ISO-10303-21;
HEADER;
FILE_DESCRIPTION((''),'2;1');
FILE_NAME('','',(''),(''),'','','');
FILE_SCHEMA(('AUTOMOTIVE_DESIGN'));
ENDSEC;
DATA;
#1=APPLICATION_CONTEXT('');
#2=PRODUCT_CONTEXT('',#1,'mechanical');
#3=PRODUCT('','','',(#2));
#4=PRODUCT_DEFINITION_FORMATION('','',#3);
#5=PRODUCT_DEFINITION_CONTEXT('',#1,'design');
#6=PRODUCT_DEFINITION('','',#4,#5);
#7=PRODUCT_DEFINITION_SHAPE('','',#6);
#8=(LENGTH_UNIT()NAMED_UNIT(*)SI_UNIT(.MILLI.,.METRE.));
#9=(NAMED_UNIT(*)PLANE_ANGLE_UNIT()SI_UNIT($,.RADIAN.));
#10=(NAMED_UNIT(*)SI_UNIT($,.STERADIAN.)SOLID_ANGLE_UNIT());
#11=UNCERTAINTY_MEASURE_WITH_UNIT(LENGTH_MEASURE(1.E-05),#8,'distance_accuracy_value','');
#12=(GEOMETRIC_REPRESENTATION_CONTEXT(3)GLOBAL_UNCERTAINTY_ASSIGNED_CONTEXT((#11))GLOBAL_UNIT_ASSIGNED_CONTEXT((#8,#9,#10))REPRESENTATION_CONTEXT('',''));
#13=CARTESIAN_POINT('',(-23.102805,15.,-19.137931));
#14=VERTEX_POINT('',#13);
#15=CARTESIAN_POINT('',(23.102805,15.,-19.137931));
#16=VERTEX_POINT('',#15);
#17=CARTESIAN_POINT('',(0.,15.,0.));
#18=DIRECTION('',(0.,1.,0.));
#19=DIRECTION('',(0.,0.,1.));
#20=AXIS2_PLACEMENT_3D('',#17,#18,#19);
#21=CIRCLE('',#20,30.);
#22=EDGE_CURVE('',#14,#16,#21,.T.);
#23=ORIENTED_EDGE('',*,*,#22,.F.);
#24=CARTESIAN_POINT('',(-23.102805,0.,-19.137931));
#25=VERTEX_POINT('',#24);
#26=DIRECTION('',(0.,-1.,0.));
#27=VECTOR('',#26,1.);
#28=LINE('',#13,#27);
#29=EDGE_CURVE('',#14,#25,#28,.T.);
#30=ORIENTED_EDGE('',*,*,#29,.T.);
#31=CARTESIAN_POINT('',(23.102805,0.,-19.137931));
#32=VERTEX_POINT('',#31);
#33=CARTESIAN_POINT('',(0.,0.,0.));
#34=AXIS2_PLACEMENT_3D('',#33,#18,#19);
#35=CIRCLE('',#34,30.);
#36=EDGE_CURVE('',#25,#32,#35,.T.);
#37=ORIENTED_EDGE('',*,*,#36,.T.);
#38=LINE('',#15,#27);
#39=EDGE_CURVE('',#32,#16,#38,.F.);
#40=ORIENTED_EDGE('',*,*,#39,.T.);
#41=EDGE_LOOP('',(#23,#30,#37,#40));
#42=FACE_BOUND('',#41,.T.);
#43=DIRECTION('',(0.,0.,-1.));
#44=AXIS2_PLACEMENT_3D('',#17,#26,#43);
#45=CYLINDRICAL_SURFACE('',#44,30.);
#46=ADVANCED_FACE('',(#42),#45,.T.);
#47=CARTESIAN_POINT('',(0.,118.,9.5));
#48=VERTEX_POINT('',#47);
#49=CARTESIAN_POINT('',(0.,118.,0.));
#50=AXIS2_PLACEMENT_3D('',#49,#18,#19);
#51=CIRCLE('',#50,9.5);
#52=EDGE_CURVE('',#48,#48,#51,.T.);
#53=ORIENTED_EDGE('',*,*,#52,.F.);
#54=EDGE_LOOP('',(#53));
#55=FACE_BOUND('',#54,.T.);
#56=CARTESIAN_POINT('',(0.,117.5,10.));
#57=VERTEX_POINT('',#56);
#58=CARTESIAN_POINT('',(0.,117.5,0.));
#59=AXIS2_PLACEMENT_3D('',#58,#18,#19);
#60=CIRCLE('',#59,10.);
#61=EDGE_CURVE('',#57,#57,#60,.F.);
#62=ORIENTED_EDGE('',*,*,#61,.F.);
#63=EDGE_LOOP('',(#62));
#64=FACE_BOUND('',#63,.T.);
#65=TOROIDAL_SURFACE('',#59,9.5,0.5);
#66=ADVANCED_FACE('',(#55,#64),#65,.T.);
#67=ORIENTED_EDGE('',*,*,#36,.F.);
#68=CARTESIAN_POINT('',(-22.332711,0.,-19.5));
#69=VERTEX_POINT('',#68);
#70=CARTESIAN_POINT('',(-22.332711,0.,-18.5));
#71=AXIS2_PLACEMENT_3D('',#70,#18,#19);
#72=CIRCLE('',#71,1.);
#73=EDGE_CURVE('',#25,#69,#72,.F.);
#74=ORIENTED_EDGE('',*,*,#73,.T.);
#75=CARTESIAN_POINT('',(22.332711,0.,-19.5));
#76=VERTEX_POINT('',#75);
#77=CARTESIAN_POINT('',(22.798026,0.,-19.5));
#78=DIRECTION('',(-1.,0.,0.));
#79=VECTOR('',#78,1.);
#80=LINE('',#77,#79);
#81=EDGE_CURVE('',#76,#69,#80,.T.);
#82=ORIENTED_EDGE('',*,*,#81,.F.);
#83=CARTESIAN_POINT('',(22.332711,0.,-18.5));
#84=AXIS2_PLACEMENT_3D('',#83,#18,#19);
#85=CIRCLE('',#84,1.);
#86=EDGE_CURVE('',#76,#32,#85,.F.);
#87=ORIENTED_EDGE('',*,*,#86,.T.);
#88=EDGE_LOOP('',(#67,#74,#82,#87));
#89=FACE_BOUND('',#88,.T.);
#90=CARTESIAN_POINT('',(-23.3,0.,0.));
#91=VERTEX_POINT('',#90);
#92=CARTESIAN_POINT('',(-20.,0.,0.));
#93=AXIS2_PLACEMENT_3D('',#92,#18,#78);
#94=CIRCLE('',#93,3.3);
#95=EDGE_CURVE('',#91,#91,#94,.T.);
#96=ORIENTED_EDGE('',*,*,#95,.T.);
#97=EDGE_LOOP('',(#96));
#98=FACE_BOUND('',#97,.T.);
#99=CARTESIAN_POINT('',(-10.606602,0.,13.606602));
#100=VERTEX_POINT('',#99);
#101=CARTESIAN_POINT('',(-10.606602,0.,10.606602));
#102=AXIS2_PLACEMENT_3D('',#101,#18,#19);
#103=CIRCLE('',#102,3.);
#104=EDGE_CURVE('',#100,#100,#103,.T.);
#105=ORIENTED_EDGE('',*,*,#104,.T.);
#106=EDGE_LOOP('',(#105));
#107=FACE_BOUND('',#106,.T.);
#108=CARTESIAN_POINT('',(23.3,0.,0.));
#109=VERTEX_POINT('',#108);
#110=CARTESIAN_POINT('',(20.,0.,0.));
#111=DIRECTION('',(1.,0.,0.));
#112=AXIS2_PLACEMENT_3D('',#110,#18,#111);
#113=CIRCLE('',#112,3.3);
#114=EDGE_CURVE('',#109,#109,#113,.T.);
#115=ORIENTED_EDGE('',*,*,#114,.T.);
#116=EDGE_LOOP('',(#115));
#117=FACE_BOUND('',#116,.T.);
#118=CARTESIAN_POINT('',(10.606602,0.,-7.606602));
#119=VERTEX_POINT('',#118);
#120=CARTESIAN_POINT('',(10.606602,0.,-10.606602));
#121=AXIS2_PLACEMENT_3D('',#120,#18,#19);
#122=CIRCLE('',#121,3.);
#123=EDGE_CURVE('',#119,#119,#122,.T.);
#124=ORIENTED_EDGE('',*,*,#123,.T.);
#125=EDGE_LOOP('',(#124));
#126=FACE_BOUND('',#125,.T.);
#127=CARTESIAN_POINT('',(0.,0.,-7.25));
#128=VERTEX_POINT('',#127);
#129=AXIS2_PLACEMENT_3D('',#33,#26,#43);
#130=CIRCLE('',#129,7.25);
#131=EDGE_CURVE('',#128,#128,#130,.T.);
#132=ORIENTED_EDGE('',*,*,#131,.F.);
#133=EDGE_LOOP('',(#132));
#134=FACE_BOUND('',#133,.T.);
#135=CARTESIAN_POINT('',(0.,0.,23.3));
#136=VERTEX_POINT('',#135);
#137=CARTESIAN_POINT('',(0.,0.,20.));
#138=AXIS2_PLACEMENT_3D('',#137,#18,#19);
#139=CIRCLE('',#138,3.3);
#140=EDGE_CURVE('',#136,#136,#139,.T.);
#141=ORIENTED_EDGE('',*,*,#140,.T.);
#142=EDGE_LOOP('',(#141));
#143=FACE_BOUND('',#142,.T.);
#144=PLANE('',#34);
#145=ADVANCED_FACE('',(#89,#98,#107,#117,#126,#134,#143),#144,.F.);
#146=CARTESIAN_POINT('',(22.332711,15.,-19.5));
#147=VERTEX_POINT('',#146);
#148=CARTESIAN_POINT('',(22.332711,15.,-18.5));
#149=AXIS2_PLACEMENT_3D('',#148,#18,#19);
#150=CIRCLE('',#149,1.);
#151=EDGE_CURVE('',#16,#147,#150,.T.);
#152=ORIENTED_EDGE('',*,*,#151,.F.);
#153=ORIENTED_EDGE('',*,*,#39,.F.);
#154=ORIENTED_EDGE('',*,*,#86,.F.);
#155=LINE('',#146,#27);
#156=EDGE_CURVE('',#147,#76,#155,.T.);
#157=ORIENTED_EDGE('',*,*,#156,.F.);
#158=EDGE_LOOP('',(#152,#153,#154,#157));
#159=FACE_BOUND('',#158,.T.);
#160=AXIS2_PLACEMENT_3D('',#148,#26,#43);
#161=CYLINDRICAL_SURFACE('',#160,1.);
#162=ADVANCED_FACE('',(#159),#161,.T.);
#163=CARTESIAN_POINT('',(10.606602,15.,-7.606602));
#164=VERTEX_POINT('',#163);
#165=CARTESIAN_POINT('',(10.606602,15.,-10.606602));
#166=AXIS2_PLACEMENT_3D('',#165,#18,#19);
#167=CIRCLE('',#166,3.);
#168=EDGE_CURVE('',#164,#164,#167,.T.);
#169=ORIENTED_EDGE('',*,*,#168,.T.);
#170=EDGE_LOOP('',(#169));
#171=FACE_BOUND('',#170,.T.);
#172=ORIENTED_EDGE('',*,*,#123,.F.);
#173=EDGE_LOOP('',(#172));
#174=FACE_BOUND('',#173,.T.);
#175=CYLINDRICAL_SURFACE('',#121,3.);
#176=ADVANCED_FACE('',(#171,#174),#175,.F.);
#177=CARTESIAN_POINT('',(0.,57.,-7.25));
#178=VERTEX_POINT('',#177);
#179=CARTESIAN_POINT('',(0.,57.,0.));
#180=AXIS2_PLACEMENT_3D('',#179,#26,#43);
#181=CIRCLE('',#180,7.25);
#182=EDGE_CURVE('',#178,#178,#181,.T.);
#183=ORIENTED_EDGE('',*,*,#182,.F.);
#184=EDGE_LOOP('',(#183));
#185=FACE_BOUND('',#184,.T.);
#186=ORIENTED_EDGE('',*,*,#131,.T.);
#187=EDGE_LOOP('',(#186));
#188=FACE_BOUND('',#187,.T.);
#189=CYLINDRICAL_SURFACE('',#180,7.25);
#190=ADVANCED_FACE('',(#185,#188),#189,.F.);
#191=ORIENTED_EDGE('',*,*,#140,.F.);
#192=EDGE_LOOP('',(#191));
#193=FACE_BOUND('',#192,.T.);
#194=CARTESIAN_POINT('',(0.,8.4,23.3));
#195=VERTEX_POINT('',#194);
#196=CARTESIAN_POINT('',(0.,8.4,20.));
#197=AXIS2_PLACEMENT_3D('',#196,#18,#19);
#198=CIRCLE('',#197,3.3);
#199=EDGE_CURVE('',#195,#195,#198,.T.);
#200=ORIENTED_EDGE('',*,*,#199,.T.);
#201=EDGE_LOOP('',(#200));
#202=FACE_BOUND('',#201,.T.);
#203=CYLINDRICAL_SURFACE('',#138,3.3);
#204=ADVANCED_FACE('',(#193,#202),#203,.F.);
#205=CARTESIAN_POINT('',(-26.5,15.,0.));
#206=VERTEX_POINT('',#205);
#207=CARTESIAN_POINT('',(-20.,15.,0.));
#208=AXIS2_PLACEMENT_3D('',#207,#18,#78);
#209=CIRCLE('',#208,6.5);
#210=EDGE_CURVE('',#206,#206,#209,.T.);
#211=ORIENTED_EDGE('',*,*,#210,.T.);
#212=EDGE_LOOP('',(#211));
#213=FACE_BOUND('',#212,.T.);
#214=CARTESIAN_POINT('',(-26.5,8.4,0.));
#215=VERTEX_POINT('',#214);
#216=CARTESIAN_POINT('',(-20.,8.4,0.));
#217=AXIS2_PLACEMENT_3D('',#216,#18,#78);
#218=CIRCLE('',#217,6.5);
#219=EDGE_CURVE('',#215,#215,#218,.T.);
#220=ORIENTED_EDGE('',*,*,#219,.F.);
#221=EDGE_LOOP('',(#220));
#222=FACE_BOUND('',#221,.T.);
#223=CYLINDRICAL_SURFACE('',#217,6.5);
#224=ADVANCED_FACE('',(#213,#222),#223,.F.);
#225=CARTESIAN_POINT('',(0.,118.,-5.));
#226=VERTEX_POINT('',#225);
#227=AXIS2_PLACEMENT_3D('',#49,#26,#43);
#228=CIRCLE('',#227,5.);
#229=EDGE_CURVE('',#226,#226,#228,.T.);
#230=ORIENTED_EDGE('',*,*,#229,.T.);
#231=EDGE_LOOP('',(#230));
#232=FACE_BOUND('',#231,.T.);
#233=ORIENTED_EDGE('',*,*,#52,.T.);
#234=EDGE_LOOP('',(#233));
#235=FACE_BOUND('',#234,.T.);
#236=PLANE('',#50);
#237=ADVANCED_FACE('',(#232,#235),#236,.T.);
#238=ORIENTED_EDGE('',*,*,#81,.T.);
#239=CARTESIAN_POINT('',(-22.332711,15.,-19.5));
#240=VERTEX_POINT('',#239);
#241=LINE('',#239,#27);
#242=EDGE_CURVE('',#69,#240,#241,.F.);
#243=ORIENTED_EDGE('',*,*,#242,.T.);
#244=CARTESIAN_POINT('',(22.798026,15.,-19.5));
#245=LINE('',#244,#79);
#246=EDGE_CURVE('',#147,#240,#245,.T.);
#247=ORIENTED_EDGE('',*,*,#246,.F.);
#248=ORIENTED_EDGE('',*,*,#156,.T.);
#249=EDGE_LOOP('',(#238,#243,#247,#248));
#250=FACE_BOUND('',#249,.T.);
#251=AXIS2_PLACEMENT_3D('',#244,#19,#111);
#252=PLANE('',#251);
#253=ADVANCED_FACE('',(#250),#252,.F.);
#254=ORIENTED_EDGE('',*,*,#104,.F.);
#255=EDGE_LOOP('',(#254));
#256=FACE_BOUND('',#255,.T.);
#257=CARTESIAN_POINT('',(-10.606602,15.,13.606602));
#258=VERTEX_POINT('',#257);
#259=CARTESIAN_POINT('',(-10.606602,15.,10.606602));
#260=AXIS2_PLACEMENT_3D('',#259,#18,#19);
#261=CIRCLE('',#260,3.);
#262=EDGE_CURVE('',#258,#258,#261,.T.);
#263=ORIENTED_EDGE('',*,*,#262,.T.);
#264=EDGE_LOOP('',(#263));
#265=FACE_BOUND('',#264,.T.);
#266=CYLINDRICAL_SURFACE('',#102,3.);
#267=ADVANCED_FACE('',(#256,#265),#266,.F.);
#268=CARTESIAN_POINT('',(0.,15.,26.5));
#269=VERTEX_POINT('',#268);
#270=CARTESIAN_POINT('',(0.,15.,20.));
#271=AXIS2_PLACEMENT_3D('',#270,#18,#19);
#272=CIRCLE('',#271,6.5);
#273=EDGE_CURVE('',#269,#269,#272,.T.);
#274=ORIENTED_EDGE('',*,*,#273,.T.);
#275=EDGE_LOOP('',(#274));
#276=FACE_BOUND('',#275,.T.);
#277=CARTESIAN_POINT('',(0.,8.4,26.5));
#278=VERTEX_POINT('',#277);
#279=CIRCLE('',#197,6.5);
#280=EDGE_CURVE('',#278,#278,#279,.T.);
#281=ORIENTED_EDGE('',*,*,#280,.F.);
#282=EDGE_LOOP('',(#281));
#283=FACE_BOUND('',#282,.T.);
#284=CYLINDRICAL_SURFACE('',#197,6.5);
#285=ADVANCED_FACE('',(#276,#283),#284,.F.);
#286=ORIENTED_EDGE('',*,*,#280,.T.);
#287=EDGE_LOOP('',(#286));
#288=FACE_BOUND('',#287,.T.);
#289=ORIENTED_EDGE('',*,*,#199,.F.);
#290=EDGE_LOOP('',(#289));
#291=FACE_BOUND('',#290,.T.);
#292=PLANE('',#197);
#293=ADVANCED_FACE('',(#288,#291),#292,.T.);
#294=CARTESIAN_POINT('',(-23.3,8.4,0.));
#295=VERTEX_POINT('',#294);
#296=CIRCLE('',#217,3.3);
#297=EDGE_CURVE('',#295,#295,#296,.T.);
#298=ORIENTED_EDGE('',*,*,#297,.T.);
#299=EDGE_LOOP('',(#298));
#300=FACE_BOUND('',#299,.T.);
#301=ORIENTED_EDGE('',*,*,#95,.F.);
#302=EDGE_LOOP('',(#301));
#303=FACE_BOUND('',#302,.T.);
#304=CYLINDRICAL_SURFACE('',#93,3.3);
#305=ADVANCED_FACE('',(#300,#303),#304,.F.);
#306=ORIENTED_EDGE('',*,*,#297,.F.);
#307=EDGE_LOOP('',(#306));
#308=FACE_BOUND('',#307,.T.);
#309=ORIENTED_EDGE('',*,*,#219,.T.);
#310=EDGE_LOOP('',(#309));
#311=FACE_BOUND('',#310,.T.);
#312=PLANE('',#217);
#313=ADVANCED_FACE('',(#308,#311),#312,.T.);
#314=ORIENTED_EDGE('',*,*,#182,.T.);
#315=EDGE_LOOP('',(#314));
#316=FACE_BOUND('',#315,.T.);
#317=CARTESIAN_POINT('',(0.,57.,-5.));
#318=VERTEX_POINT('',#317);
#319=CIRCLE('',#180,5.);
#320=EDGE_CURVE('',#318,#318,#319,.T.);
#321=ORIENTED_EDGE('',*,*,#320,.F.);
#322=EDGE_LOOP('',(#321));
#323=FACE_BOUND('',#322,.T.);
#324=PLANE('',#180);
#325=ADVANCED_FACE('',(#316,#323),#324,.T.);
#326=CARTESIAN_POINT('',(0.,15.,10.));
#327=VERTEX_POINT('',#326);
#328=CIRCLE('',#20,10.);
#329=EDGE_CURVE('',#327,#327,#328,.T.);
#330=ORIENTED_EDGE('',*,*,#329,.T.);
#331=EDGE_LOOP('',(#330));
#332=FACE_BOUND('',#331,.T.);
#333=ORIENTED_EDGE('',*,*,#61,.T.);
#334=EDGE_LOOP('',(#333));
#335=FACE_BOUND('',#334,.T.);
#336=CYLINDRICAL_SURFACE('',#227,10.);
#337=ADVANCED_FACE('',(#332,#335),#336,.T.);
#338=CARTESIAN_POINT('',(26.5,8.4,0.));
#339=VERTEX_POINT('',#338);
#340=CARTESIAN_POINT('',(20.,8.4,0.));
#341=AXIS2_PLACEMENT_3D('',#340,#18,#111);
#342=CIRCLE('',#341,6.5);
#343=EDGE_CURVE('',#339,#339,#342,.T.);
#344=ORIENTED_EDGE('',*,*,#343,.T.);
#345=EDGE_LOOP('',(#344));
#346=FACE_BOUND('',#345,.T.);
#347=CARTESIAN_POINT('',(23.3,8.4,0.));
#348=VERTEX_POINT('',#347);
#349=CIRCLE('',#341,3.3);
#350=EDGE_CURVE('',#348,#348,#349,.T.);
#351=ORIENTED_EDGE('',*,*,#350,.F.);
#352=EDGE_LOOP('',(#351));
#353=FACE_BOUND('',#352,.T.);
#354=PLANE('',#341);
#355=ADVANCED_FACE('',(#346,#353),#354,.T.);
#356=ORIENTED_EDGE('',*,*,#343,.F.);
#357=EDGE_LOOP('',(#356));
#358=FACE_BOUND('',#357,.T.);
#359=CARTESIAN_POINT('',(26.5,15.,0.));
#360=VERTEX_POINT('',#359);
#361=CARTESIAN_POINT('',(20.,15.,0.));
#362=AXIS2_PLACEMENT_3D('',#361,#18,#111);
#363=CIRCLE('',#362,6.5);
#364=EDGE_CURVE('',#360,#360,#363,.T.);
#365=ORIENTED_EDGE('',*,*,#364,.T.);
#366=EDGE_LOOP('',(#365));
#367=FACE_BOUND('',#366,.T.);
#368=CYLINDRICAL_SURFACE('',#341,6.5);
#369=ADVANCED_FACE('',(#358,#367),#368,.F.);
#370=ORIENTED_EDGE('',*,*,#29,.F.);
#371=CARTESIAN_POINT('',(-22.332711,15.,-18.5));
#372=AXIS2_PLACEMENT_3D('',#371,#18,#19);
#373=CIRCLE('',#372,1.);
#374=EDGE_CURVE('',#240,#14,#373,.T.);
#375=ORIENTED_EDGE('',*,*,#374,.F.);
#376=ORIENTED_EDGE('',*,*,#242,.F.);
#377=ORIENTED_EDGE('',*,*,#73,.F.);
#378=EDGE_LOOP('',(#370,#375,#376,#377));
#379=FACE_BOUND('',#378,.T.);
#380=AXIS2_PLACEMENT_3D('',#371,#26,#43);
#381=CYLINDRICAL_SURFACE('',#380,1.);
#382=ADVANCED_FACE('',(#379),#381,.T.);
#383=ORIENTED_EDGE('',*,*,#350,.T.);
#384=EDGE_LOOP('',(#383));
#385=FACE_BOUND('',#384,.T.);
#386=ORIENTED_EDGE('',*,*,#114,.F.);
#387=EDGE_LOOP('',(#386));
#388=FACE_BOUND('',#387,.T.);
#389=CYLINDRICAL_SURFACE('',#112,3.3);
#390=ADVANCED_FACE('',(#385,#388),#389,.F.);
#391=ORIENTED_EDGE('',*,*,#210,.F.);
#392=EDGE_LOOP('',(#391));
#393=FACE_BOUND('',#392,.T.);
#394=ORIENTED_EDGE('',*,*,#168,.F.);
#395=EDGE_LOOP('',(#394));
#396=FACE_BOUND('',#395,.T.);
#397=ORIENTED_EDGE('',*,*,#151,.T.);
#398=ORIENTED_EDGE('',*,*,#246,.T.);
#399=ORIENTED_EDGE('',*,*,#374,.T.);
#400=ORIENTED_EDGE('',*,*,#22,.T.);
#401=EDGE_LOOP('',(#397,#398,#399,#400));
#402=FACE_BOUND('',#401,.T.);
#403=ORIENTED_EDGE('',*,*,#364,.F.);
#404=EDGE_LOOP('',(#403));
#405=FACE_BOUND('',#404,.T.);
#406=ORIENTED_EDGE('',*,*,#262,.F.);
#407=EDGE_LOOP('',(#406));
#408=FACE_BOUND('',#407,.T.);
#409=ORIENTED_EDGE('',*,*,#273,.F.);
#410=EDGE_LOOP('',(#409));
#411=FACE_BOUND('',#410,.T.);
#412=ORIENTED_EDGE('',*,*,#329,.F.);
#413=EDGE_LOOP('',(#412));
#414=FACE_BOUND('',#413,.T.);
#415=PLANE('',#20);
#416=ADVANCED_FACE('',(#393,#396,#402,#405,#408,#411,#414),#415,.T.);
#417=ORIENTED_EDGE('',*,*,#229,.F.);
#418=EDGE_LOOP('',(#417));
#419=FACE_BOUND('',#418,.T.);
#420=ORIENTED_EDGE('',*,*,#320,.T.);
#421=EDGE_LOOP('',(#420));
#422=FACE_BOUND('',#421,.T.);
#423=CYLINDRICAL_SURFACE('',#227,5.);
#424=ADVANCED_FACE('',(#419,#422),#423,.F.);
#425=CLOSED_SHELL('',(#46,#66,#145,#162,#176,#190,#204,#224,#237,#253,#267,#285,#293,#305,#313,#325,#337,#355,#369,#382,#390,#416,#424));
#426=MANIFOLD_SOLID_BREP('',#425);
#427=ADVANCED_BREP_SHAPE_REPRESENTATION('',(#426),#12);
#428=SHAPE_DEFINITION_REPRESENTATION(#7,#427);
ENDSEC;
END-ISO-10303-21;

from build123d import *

# Parameters (mm, degrees)
BOSS_EXTRUDE1_DEPTH = 15
SKETCH2_R           = 10
BOSS_EXTRUDE2_DEPTH = 103
SKETCH4_R           = 7.25
CUT_EXTRUDE1_DEPTH  = 57
SKETCH5_R           = 5
CUT_EXTRUDE2_DEPTH  = 62
SKETCH7_R           = 6.5
CUT_EXTRUDE3_DEPTH  = 6.6
SKETCH8_R           = 3.3
CUT_EXTRUDE4_DEPTH  = 9.4
CIRPATTERN1_COUNT   = 4
FILLET1_R           = 0.5
FILLET2_R           = 1
SKETCH9_R           = 3
CUT_EXTRUDE5_DEPTH  = 16


with BuildPart() as part:
    # Sketch1 → Boss-Extrude1 (new body)
    with BuildSketch(Plane(origin=(0, 0, 0), x_dir=(1, 0, 0), z_dir=(0, 1, 0))):
        with BuildLine():
            Line((22.79802623, 19.5), (-22.79802623, 19.5))
            ThreePointArc((-22.79802623, 19.5), (0, -30), (22.79802623, 19.5))
        make_face()
    extrude(amount=BOSS_EXTRUDE1_DEPTH)

    # Sketch2 → Boss-Extrude2 (add)
    with BuildSketch(Plane(origin=(0, 15, 0), x_dir=(1, 0, 0), z_dir=(0, 1, 0))):
        Circle(SKETCH2_R)
    extrude(amount=BOSS_EXTRUDE2_DEPTH)

    # Sketch4 → Cut-Extrude1 (cut)
    with BuildSketch(Plane.XZ):
        Circle(SKETCH4_R)
    extrude(amount=-CUT_EXTRUDE1_DEPTH, mode=Mode.SUBTRACT)

    # Sketch5 → Cut-Extrude2 (cut, through all)
    with BuildSketch(Plane.XZ.offset(-57)):
        Circle(SKETCH5_R)
    extrude(amount=-CUT_EXTRUDE2_DEPTH, mode=Mode.SUBTRACT)

    # Sketch7 → Cut-Extrude3 (cut)
    with BuildSketch(Plane(origin=(0, 15, 0), x_dir=(1, 0, 0), z_dir=(0, 1, 0))):
        with Locations((0, -20)):
            Circle(SKETCH7_R)
    cut_extrude3 = extrude(amount=-CUT_EXTRUDE3_DEPTH, mode=Mode.SUBTRACT)

    # Sketch8 → Cut-Extrude4 (cut, through all)
    with BuildSketch(Plane(origin=(0, 8.4, 0), x_dir=(1, 0, 0), z_dir=(0, 1, 0))):
        with Locations((0, -20)):
            Circle(SKETCH8_R)
    cut_extrude4 = extrude(amount=-CUT_EXTRUDE4_DEPTH, mode=Mode.SUBTRACT)

    # CirPattern1: Cut-Extrude3, Cut-Extrude4 ×4 about axis, 1 skipped
    cirpattern1_axis = Axis((0, 0, 0), (0, -1, 0))
    add([cut_extrude3.rotate(cirpattern1_axis, i * 360 / CIRPATTERN1_COUNT) for i in range(1, CIRPATTERN1_COUNT) if i not in (2,)], mode=Mode.SUBTRACT)
    add([cut_extrude4.rotate(cirpattern1_axis, i * 360 / CIRPATTERN1_COUNT) for i in range(1, CIRPATTERN1_COUNT) if i not in (2,)], mode=Mode.SUBTRACT)

    # Fillet1
    fillet1_edges = [part.edges().sort_by_distance(p)[0] for p in [
        (-10, 118, 0),
    ]]
    fillet(fillet1_edges, radius=FILLET1_R)

    # Fillet2
    fillet2_edges = [part.edges().sort_by_distance(p)[0] for p in [
        (-22.79802623, 7.5, -19.5),
        (22.79802623, 7.5, -19.5),
    ]]
    fillet(fillet2_edges, radius=FILLET2_R)

    # Sketch9 → Cut-Extrude5 (cut, through all)
    with BuildSketch(Plane(origin=(0, 15, 0), x_dir=(1, 0, 0), z_dir=(0, 1, 0))):
        with Locations((-10.606601718, -10.606601718)):
            Circle(SKETCH9_R)
        with Locations((10.606601718, 10.606601718)):
            Circle(SKETCH9_R)
    extrude(amount=-CUT_EXTRUDE5_DEPTH, mode=Mode.SUBTRACT)


solid = part.part
